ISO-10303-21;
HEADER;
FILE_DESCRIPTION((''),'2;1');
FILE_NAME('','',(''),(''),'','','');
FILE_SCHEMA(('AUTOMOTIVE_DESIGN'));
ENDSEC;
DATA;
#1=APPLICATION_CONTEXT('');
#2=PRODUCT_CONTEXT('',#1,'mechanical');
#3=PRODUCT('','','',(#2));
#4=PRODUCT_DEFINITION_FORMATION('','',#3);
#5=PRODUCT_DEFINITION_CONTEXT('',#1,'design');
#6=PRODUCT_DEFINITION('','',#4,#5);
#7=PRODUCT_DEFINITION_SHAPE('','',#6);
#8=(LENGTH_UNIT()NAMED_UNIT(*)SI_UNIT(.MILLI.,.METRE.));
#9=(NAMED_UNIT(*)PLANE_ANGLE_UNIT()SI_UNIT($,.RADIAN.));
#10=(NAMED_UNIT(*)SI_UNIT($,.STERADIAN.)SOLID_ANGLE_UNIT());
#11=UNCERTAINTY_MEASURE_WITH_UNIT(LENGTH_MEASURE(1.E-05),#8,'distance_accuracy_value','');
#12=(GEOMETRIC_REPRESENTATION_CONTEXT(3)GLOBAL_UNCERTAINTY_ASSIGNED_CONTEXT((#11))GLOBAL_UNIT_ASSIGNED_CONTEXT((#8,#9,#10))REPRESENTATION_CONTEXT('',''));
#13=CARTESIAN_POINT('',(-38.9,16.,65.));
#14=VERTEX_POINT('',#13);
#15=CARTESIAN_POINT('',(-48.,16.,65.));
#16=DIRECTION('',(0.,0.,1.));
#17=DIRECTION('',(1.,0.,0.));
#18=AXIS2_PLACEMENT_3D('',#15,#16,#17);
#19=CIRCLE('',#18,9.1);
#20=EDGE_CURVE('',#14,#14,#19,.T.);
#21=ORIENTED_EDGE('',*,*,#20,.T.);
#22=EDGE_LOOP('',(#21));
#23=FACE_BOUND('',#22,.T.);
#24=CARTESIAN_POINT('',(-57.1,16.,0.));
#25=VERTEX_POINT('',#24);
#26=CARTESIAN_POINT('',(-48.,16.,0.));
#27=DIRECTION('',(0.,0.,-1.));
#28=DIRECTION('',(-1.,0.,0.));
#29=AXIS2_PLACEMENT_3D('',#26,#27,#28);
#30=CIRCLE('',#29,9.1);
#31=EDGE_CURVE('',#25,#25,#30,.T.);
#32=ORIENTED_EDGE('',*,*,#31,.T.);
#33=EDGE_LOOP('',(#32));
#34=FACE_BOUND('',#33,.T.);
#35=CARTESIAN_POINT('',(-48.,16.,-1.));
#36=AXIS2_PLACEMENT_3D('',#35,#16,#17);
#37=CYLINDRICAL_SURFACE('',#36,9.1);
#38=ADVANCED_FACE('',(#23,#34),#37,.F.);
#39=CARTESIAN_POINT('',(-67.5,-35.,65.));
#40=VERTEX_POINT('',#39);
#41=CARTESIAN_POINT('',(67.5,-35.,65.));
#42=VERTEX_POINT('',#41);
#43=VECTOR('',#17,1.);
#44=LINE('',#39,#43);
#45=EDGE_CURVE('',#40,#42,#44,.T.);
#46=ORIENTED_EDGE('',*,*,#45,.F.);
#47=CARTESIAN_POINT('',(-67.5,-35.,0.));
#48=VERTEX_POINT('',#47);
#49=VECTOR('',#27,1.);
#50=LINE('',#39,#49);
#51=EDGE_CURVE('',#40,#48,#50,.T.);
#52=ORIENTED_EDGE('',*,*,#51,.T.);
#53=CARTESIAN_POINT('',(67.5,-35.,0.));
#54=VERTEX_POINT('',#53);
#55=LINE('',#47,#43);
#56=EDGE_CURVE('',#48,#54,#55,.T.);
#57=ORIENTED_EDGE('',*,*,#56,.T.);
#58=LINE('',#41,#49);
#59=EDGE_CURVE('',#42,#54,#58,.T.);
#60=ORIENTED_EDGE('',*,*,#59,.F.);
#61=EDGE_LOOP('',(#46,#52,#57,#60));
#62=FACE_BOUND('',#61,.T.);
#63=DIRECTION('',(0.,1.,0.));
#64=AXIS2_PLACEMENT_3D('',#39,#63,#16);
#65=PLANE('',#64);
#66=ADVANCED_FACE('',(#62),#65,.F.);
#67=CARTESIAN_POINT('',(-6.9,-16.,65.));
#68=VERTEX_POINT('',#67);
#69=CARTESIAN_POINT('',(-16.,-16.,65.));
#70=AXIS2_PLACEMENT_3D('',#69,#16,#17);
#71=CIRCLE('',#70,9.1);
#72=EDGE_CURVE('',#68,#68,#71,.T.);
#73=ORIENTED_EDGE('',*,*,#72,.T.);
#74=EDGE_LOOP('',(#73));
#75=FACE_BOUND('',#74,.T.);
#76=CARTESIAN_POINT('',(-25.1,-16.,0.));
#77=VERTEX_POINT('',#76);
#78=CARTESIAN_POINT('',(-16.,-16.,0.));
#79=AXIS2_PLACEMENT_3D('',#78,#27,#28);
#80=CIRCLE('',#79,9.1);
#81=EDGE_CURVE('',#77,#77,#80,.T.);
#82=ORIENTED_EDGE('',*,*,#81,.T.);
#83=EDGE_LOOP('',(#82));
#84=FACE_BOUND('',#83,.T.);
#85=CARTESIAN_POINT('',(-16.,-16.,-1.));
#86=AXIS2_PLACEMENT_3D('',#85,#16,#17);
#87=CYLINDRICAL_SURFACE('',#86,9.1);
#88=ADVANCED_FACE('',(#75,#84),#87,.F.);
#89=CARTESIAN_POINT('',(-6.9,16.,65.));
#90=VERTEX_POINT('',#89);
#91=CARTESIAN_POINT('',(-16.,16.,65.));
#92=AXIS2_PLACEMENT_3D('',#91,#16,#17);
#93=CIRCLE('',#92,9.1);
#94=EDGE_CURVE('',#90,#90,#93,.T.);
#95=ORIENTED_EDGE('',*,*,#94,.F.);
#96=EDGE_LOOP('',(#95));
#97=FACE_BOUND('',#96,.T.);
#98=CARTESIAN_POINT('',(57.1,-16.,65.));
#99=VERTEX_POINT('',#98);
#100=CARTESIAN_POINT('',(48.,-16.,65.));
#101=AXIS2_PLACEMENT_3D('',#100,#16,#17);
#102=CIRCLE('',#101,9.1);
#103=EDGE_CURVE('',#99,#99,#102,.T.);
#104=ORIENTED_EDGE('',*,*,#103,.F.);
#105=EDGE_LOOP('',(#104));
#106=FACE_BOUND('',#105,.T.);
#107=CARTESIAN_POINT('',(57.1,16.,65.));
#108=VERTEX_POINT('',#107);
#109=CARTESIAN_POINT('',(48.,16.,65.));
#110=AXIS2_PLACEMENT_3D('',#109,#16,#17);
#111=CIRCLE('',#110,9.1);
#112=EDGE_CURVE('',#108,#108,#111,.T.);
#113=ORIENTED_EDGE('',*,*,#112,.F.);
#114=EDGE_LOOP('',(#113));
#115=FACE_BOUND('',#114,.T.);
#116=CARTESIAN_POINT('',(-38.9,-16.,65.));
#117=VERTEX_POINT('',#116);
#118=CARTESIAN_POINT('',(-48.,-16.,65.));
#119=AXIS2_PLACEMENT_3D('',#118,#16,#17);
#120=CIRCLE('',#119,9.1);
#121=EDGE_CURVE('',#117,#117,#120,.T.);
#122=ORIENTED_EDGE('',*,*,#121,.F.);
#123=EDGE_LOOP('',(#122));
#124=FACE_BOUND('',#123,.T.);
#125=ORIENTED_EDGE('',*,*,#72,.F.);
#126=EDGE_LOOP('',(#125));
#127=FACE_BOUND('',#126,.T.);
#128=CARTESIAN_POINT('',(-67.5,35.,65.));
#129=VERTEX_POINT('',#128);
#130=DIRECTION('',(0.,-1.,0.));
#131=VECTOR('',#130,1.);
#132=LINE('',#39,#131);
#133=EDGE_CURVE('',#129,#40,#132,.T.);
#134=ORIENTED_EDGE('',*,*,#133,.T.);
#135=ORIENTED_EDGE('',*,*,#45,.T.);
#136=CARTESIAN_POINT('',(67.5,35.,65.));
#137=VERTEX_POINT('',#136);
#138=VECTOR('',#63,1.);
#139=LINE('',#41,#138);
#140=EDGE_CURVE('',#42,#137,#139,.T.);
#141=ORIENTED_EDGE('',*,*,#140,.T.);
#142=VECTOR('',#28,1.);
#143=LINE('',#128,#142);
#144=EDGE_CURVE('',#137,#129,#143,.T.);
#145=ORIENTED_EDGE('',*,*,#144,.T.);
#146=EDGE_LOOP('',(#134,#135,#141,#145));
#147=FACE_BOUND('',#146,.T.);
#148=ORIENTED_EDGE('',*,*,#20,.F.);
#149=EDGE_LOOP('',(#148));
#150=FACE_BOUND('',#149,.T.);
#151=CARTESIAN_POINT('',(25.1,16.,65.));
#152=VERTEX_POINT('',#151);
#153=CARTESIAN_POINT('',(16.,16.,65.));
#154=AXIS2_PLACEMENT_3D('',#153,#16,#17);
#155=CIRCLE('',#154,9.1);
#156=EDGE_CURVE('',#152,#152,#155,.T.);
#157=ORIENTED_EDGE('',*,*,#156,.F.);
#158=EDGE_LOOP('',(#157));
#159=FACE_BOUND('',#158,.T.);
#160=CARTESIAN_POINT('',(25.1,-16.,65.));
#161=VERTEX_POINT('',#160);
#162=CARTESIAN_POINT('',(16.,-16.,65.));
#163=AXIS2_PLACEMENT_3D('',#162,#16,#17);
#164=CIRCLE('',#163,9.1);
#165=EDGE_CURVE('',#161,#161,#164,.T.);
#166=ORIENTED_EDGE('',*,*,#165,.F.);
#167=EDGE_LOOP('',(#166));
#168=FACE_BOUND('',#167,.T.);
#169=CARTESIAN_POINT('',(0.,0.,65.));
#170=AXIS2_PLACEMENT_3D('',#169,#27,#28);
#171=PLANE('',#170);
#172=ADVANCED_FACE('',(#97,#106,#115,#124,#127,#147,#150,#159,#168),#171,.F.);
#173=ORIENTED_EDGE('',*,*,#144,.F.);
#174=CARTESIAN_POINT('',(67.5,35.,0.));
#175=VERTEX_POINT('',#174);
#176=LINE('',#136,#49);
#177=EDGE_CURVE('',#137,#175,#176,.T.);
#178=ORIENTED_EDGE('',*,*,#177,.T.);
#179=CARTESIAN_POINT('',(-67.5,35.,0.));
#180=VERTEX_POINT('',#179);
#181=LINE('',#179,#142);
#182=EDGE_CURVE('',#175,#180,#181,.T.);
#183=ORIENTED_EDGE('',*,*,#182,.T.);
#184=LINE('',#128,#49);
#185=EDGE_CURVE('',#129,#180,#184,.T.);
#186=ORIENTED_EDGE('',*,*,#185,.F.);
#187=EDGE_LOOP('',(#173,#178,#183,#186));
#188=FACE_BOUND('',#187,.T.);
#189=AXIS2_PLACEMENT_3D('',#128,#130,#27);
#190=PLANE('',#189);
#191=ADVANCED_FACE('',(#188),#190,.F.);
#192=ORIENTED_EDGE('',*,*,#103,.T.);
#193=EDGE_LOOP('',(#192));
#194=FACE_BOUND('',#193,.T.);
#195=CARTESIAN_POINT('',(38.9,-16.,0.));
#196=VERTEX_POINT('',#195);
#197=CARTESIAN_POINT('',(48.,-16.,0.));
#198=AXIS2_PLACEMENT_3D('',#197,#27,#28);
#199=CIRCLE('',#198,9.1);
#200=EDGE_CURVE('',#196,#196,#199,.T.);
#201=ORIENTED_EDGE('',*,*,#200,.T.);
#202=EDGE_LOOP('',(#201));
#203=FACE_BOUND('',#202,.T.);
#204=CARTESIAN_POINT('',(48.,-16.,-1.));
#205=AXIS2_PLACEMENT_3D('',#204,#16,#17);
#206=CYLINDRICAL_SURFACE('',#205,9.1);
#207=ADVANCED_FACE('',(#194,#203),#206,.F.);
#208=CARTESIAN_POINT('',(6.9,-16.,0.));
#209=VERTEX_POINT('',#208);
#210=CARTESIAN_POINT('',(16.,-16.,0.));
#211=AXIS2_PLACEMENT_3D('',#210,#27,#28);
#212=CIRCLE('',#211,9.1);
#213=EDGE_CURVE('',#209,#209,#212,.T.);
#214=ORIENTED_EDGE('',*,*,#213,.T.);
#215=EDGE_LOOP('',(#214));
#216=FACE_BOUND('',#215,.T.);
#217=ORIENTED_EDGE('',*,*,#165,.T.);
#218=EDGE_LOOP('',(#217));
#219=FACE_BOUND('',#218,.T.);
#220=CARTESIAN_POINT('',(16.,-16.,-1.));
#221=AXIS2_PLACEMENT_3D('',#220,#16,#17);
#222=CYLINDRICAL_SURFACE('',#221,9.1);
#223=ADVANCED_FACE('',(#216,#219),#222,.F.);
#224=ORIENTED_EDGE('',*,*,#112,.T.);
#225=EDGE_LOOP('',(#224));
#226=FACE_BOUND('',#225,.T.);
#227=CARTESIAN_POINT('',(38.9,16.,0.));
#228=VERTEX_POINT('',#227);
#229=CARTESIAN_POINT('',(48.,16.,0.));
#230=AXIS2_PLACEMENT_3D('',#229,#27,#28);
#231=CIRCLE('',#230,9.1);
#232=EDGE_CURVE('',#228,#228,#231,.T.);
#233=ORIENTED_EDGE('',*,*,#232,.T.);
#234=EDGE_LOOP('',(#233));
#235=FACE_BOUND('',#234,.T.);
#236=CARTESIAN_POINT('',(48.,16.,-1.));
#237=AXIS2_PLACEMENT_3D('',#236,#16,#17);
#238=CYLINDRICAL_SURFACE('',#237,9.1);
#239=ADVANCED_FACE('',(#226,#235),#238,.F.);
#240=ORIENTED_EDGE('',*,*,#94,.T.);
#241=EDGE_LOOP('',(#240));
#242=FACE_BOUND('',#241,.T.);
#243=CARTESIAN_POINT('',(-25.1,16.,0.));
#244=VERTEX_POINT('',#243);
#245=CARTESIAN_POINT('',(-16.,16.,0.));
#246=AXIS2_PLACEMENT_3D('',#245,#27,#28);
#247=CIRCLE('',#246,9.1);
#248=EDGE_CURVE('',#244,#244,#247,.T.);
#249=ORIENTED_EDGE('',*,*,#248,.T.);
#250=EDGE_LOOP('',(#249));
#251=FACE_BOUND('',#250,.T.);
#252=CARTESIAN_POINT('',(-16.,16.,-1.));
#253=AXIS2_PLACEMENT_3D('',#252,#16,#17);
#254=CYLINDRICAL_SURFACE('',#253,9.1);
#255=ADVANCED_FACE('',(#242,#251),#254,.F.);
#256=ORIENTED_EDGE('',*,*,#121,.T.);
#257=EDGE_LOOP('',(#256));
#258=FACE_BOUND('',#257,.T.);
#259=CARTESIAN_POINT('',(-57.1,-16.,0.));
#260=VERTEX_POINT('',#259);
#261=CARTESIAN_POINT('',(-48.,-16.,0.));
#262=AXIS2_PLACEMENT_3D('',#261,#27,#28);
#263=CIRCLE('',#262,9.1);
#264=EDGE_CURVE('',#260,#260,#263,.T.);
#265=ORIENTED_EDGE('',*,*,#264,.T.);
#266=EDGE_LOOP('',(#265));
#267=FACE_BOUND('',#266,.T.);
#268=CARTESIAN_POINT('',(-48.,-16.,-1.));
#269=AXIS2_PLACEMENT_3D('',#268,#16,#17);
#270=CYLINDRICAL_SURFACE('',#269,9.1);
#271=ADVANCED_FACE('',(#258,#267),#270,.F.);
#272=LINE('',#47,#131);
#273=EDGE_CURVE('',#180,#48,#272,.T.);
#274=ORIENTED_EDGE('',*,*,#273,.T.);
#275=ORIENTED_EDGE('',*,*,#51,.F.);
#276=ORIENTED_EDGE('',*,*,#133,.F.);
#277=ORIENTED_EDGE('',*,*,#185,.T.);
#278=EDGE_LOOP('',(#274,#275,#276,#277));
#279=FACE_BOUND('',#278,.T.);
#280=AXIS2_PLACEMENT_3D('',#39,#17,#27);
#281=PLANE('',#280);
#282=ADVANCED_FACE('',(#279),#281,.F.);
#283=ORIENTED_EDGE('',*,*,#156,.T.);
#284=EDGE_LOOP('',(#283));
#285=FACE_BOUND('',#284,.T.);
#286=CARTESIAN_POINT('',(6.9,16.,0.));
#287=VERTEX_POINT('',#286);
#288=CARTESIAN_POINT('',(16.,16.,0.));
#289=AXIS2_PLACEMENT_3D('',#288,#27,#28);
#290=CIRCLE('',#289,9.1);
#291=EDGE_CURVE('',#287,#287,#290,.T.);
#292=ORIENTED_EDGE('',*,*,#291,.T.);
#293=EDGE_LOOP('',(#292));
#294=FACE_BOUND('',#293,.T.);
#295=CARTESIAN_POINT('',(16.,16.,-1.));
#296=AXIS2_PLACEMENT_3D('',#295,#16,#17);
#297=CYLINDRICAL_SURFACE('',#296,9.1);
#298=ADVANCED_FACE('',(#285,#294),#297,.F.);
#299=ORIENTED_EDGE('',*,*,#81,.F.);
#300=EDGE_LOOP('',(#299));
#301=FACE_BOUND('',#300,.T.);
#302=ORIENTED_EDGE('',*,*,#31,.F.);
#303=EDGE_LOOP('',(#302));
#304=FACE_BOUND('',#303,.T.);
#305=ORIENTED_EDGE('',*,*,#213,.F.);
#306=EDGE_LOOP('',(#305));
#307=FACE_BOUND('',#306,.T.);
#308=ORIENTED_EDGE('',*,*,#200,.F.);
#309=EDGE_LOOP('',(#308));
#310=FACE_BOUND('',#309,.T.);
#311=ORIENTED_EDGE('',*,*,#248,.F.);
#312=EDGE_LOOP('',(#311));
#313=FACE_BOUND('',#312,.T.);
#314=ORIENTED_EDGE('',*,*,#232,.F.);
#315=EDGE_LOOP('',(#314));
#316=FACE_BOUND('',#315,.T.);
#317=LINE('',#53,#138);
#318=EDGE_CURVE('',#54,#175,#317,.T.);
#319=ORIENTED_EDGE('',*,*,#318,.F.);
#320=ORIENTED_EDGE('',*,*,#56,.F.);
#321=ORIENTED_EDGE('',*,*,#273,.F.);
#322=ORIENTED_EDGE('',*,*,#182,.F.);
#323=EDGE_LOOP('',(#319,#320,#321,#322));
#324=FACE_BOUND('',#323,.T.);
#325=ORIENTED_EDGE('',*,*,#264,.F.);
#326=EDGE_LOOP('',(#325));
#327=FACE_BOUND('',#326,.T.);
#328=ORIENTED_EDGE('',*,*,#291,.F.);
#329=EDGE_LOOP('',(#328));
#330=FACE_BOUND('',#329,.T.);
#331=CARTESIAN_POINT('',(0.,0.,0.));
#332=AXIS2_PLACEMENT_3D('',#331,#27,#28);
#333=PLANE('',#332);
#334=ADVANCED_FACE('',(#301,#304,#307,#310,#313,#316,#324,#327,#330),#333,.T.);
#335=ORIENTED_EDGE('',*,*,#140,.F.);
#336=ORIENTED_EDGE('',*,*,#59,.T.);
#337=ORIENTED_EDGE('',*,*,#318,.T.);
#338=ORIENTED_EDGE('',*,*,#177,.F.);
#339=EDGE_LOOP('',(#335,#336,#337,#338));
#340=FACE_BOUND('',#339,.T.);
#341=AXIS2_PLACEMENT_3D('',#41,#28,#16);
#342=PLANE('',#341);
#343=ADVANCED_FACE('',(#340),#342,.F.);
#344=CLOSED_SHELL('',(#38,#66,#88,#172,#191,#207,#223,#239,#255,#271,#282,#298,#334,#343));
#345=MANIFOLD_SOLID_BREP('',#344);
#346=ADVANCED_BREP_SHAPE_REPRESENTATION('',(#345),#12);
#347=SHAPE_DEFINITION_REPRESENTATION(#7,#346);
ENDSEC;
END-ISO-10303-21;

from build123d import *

# Parameters (mm, degrees)
SKETCH1_W           = 135
SKETCH1_H           = 70
BOSS_EXTRUDE1_DEPTH = 65
SKETCH2_R           = 9.1
CUT_EXTRUDE1_DEPTH  = 66


with BuildPart() as part:
    # Sketch1 → Boss-Extrude1 (new body)
    with BuildSketch(Plane.XY):
        Rectangle(SKETCH1_W, SKETCH1_H)
    extrude(amount=BOSS_EXTRUDE1_DEPTH)

    # Sketch2 → Cut-Extrude1 (cut)
    with BuildSketch(Plane.XY.offset(65)):
        with Locations((-48, -16)):
            Circle(SKETCH2_R)
        with Locations((-16, -16)):
            Circle(SKETCH2_R)
        with Locations((16, -16)):
            Circle(SKETCH2_R)
        with Locations((48, -16)):
            Circle(SKETCH2_R)
        with Locations((-48, 16)):
            Circle(SKETCH2_R)
        with Locations((-16, 16)):
            Circle(SKETCH2_R)
        with Locations((16, 16)):
            Circle(SKETCH2_R)
        with Locations((48, 16)):
            Circle(SKETCH2_R)
    extrude(amount=-CUT_EXTRUDE1_DEPTH, mode=Mode.SUBTRACT)


solid = part.part
